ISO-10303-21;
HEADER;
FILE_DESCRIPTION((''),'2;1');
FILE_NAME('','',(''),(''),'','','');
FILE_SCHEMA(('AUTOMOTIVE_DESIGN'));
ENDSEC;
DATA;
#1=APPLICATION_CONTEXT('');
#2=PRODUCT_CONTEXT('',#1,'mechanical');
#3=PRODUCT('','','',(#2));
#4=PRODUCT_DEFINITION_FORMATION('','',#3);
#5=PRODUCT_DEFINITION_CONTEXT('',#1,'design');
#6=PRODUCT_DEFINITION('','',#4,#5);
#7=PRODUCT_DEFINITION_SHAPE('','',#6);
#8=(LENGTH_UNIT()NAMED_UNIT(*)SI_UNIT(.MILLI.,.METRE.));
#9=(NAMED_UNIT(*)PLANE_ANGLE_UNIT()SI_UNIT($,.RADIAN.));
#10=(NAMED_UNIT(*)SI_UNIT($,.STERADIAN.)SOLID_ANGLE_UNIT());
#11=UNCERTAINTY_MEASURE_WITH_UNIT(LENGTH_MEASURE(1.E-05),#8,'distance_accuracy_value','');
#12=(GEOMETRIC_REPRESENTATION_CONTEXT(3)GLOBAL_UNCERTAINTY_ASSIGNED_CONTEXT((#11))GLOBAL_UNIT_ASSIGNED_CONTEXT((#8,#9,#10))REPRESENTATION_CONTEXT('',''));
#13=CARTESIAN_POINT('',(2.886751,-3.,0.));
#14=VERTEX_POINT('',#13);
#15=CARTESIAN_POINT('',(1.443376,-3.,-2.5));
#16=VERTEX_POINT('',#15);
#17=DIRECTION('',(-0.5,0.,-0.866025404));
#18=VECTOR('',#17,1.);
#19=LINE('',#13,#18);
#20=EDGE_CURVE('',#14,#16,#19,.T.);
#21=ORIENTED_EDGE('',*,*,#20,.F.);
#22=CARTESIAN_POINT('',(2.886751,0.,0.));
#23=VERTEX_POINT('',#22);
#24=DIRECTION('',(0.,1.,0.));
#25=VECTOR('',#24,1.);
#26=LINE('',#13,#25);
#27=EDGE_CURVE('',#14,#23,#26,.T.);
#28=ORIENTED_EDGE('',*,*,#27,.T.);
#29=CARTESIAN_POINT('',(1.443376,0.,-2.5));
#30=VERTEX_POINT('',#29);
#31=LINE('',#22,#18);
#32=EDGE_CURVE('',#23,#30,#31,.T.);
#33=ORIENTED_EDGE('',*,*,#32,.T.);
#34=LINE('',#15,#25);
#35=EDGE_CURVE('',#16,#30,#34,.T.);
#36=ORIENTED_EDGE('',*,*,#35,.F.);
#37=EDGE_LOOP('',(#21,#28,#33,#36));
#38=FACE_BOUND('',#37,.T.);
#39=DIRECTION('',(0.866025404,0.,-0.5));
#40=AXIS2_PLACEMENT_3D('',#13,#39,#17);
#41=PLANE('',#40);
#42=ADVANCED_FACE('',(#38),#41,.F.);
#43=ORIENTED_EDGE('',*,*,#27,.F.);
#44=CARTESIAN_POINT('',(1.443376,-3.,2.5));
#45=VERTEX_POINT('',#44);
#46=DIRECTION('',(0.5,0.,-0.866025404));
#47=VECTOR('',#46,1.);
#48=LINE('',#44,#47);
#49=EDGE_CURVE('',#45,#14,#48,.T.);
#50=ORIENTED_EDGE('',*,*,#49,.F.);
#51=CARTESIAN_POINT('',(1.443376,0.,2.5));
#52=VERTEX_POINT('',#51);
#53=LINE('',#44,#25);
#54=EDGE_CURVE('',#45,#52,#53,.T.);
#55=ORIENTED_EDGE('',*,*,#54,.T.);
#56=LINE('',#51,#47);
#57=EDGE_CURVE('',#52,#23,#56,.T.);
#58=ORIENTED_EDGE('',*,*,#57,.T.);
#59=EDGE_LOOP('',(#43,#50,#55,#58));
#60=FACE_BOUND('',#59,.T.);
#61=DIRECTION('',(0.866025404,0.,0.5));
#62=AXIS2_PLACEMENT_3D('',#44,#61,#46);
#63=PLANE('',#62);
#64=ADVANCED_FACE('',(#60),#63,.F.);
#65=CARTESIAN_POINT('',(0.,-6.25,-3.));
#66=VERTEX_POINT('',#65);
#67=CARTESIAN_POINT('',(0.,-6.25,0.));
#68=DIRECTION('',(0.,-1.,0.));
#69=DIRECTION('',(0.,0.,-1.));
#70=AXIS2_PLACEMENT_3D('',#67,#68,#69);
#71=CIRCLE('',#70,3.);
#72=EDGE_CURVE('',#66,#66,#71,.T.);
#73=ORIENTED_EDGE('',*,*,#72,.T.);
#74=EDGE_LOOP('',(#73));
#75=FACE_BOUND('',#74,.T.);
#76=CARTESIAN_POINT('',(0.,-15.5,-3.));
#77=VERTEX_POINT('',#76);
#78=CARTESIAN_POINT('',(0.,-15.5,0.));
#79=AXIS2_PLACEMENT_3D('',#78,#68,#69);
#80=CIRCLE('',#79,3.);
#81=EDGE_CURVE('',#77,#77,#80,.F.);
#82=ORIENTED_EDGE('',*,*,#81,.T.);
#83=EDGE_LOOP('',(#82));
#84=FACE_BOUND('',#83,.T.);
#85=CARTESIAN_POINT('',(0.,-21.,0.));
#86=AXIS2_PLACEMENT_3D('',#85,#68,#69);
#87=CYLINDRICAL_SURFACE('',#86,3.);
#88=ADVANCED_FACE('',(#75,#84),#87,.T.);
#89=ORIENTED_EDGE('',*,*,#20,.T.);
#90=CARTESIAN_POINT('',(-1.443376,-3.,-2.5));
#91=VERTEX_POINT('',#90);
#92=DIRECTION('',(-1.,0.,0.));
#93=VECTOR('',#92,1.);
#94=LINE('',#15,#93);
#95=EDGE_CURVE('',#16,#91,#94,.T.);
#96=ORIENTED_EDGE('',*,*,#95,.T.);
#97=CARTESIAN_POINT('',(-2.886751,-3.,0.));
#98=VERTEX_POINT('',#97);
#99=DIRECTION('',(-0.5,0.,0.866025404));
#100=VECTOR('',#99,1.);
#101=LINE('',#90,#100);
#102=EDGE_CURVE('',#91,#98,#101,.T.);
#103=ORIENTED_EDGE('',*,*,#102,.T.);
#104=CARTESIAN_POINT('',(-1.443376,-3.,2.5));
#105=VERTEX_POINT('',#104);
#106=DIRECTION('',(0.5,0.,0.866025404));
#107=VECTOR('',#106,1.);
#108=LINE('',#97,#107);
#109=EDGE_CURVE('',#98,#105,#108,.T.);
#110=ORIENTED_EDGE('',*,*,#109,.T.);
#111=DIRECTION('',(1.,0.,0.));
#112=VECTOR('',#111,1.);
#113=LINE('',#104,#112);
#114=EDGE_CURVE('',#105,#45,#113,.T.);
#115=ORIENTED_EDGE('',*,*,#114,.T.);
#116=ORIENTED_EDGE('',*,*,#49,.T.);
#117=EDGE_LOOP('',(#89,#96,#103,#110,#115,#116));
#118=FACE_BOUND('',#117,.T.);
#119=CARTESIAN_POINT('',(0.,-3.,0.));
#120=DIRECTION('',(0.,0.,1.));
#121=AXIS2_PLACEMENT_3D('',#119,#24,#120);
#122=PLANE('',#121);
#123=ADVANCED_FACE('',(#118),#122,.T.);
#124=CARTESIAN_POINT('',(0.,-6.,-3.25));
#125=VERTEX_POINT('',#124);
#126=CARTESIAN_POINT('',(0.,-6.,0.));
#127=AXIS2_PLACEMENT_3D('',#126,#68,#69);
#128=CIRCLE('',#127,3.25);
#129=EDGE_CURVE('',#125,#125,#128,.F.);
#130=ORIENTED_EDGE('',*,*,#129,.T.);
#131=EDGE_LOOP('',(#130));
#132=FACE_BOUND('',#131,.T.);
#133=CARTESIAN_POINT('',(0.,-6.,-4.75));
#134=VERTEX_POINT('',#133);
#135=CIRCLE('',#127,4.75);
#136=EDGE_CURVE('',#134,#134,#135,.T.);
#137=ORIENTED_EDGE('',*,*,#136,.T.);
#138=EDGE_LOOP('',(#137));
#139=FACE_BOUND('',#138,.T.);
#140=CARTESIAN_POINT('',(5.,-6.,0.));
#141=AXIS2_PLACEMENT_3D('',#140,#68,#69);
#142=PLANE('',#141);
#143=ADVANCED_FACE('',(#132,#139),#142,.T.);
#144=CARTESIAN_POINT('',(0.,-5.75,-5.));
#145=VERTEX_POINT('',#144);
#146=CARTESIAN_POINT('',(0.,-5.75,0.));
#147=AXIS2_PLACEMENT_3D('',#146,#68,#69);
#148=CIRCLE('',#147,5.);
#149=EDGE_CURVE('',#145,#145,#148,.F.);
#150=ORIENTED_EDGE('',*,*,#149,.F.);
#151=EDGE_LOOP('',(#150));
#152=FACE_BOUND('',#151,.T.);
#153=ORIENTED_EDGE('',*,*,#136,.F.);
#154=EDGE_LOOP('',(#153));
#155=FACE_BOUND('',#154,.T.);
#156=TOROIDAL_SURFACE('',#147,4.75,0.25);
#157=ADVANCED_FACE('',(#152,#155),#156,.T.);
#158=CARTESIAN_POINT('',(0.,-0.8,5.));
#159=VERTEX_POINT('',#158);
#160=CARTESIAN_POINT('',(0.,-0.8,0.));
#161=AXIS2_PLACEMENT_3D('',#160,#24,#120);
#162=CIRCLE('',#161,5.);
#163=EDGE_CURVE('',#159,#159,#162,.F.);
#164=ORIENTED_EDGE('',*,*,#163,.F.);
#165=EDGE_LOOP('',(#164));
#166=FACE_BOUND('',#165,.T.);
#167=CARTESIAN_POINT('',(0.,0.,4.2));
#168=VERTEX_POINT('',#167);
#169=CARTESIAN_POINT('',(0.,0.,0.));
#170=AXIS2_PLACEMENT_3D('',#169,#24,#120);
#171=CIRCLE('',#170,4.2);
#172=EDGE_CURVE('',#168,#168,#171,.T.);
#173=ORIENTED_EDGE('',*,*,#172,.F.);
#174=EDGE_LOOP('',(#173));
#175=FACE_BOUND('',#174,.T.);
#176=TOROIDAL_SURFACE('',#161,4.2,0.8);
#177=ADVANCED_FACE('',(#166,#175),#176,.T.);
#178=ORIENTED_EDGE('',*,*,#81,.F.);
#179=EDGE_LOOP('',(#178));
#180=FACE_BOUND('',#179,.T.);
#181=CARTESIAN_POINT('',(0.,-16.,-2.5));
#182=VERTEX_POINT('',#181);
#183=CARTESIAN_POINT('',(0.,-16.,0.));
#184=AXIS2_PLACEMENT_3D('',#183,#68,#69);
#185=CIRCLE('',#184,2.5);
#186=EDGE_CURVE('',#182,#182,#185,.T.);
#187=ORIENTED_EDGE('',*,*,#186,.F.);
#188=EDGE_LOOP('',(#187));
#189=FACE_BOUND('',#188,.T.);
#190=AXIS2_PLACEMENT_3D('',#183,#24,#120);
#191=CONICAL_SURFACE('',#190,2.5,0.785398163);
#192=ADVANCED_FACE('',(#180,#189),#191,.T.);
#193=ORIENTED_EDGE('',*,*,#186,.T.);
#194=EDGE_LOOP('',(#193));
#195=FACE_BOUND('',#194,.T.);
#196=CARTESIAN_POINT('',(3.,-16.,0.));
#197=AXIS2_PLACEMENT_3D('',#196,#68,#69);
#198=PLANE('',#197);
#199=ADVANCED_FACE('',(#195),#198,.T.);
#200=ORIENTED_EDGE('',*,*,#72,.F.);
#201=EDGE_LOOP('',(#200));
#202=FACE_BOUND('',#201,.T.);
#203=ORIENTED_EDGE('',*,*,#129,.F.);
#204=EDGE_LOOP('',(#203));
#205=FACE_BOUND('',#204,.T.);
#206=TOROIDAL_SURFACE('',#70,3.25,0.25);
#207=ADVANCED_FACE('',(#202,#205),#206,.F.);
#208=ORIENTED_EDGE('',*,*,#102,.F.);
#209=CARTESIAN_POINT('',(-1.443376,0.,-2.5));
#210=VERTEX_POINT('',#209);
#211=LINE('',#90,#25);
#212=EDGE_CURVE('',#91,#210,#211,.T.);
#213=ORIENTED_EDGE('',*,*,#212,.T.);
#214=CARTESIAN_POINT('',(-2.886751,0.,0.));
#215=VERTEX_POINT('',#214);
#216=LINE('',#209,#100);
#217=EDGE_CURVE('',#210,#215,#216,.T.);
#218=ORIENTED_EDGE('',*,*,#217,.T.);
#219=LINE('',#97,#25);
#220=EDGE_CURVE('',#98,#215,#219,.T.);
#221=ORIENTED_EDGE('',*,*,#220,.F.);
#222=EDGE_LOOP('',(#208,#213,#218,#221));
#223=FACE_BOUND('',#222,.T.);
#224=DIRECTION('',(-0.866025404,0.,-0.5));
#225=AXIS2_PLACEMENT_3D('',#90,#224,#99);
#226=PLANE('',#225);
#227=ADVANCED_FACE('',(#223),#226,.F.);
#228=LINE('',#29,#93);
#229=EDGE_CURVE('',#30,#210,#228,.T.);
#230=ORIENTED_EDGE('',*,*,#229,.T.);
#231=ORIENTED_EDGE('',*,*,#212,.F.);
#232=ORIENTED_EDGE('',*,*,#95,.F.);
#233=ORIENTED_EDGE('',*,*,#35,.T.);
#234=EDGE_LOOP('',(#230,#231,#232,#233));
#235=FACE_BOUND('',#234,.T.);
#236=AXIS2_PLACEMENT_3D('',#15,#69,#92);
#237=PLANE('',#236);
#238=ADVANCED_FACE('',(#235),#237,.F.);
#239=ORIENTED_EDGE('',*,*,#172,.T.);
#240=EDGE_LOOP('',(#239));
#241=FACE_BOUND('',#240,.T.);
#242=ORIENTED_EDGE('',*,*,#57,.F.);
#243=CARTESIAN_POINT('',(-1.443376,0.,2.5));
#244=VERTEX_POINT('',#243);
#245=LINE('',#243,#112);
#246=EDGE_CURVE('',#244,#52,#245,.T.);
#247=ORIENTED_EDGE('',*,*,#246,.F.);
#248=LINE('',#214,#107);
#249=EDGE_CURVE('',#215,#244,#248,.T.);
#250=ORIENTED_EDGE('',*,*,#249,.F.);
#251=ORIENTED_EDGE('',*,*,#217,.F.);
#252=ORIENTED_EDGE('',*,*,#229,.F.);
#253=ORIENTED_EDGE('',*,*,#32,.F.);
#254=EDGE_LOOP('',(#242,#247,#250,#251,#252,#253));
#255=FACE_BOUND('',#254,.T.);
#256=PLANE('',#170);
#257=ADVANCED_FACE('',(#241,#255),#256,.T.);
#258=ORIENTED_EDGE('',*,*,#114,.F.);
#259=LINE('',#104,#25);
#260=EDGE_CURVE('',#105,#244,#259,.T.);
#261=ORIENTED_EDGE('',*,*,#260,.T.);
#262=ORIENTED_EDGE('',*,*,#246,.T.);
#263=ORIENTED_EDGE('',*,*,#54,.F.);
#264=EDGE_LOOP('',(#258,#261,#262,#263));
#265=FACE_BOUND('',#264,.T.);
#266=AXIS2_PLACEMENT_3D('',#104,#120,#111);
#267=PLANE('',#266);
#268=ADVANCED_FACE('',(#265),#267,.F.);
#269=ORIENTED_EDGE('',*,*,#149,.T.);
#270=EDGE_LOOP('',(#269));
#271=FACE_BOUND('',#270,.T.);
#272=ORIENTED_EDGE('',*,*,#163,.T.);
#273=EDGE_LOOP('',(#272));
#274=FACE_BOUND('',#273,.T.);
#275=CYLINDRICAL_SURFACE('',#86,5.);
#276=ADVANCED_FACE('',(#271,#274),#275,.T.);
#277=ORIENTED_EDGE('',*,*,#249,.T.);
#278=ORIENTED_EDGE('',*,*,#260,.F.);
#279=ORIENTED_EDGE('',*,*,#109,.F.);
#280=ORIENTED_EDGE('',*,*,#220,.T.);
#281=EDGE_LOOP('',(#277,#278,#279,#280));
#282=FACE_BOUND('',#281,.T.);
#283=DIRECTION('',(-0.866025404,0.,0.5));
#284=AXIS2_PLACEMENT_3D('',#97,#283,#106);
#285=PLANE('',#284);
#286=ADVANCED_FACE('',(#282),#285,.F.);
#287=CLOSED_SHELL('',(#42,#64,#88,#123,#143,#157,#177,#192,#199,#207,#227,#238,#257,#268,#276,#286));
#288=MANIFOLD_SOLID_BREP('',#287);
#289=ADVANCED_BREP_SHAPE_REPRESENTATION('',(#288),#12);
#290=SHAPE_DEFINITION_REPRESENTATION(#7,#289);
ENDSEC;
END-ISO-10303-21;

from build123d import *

# Parameters (mm, degrees)
CUT_EXTRUDE1_DEPTH = 3
FILLET3_R          = 0.8
CHAMFER1_SIZE      = 0.5
FILLET4_R          = 0.25


with BuildPart() as part:
    # Sketch1 → Revolve1 (revolve)
    with BuildSketch(Plane.XY, mode=Mode.PRIVATE) as revolve1_sk:
        Polygon((0, 0), (5, 0), (5, -6), (3, -6), (3, -16), (0, -16), align=None)
    revolve(revolve1_sk.sketch.rotate(Axis((0, -21, 0), (0, 1, 0)), 90), axis=Axis((0, -21, 0), (0, 1, 0)))

    # Sketch2 → Cut-Extrude1 (cut)
    with BuildSketch(Plane(origin=(0, 0, 0), x_dir=(1, 0, 0), z_dir=(0, 1, 0))):
        Polygon((2.886751346, 0), (1.443375673, 2.5), (-1.443375673, 2.5), (-2.886751346, 0), (-1.443375673, -2.5), (1.443375673, -2.5), align=None)
    extrude(amount=-CUT_EXTRUDE1_DEPTH, mode=Mode.SUBTRACT)

    # Fillet3
    fillet3_edges = [part.edges().sort_by_distance(p)[0] for p in [
        (0, 0, 5),
    ]]
    fillet(fillet3_edges, radius=FILLET3_R)

    # Chamfer1
    chamfer1_edges = [part.edges().sort_by_distance(p)[0] for p in [
        (0, -16, 3),
    ]]
    chamfer(chamfer1_edges, length=CHAMFER1_SIZE)

    # Fillet4
    fillet4_edges = [part.edges().sort_by_distance(p)[0] for p in [
        (0, -6, 3),
        (0, -6, 5),
    ]]
    fillet(fillet4_edges, radius=FILLET4_R)


solid = part.part
